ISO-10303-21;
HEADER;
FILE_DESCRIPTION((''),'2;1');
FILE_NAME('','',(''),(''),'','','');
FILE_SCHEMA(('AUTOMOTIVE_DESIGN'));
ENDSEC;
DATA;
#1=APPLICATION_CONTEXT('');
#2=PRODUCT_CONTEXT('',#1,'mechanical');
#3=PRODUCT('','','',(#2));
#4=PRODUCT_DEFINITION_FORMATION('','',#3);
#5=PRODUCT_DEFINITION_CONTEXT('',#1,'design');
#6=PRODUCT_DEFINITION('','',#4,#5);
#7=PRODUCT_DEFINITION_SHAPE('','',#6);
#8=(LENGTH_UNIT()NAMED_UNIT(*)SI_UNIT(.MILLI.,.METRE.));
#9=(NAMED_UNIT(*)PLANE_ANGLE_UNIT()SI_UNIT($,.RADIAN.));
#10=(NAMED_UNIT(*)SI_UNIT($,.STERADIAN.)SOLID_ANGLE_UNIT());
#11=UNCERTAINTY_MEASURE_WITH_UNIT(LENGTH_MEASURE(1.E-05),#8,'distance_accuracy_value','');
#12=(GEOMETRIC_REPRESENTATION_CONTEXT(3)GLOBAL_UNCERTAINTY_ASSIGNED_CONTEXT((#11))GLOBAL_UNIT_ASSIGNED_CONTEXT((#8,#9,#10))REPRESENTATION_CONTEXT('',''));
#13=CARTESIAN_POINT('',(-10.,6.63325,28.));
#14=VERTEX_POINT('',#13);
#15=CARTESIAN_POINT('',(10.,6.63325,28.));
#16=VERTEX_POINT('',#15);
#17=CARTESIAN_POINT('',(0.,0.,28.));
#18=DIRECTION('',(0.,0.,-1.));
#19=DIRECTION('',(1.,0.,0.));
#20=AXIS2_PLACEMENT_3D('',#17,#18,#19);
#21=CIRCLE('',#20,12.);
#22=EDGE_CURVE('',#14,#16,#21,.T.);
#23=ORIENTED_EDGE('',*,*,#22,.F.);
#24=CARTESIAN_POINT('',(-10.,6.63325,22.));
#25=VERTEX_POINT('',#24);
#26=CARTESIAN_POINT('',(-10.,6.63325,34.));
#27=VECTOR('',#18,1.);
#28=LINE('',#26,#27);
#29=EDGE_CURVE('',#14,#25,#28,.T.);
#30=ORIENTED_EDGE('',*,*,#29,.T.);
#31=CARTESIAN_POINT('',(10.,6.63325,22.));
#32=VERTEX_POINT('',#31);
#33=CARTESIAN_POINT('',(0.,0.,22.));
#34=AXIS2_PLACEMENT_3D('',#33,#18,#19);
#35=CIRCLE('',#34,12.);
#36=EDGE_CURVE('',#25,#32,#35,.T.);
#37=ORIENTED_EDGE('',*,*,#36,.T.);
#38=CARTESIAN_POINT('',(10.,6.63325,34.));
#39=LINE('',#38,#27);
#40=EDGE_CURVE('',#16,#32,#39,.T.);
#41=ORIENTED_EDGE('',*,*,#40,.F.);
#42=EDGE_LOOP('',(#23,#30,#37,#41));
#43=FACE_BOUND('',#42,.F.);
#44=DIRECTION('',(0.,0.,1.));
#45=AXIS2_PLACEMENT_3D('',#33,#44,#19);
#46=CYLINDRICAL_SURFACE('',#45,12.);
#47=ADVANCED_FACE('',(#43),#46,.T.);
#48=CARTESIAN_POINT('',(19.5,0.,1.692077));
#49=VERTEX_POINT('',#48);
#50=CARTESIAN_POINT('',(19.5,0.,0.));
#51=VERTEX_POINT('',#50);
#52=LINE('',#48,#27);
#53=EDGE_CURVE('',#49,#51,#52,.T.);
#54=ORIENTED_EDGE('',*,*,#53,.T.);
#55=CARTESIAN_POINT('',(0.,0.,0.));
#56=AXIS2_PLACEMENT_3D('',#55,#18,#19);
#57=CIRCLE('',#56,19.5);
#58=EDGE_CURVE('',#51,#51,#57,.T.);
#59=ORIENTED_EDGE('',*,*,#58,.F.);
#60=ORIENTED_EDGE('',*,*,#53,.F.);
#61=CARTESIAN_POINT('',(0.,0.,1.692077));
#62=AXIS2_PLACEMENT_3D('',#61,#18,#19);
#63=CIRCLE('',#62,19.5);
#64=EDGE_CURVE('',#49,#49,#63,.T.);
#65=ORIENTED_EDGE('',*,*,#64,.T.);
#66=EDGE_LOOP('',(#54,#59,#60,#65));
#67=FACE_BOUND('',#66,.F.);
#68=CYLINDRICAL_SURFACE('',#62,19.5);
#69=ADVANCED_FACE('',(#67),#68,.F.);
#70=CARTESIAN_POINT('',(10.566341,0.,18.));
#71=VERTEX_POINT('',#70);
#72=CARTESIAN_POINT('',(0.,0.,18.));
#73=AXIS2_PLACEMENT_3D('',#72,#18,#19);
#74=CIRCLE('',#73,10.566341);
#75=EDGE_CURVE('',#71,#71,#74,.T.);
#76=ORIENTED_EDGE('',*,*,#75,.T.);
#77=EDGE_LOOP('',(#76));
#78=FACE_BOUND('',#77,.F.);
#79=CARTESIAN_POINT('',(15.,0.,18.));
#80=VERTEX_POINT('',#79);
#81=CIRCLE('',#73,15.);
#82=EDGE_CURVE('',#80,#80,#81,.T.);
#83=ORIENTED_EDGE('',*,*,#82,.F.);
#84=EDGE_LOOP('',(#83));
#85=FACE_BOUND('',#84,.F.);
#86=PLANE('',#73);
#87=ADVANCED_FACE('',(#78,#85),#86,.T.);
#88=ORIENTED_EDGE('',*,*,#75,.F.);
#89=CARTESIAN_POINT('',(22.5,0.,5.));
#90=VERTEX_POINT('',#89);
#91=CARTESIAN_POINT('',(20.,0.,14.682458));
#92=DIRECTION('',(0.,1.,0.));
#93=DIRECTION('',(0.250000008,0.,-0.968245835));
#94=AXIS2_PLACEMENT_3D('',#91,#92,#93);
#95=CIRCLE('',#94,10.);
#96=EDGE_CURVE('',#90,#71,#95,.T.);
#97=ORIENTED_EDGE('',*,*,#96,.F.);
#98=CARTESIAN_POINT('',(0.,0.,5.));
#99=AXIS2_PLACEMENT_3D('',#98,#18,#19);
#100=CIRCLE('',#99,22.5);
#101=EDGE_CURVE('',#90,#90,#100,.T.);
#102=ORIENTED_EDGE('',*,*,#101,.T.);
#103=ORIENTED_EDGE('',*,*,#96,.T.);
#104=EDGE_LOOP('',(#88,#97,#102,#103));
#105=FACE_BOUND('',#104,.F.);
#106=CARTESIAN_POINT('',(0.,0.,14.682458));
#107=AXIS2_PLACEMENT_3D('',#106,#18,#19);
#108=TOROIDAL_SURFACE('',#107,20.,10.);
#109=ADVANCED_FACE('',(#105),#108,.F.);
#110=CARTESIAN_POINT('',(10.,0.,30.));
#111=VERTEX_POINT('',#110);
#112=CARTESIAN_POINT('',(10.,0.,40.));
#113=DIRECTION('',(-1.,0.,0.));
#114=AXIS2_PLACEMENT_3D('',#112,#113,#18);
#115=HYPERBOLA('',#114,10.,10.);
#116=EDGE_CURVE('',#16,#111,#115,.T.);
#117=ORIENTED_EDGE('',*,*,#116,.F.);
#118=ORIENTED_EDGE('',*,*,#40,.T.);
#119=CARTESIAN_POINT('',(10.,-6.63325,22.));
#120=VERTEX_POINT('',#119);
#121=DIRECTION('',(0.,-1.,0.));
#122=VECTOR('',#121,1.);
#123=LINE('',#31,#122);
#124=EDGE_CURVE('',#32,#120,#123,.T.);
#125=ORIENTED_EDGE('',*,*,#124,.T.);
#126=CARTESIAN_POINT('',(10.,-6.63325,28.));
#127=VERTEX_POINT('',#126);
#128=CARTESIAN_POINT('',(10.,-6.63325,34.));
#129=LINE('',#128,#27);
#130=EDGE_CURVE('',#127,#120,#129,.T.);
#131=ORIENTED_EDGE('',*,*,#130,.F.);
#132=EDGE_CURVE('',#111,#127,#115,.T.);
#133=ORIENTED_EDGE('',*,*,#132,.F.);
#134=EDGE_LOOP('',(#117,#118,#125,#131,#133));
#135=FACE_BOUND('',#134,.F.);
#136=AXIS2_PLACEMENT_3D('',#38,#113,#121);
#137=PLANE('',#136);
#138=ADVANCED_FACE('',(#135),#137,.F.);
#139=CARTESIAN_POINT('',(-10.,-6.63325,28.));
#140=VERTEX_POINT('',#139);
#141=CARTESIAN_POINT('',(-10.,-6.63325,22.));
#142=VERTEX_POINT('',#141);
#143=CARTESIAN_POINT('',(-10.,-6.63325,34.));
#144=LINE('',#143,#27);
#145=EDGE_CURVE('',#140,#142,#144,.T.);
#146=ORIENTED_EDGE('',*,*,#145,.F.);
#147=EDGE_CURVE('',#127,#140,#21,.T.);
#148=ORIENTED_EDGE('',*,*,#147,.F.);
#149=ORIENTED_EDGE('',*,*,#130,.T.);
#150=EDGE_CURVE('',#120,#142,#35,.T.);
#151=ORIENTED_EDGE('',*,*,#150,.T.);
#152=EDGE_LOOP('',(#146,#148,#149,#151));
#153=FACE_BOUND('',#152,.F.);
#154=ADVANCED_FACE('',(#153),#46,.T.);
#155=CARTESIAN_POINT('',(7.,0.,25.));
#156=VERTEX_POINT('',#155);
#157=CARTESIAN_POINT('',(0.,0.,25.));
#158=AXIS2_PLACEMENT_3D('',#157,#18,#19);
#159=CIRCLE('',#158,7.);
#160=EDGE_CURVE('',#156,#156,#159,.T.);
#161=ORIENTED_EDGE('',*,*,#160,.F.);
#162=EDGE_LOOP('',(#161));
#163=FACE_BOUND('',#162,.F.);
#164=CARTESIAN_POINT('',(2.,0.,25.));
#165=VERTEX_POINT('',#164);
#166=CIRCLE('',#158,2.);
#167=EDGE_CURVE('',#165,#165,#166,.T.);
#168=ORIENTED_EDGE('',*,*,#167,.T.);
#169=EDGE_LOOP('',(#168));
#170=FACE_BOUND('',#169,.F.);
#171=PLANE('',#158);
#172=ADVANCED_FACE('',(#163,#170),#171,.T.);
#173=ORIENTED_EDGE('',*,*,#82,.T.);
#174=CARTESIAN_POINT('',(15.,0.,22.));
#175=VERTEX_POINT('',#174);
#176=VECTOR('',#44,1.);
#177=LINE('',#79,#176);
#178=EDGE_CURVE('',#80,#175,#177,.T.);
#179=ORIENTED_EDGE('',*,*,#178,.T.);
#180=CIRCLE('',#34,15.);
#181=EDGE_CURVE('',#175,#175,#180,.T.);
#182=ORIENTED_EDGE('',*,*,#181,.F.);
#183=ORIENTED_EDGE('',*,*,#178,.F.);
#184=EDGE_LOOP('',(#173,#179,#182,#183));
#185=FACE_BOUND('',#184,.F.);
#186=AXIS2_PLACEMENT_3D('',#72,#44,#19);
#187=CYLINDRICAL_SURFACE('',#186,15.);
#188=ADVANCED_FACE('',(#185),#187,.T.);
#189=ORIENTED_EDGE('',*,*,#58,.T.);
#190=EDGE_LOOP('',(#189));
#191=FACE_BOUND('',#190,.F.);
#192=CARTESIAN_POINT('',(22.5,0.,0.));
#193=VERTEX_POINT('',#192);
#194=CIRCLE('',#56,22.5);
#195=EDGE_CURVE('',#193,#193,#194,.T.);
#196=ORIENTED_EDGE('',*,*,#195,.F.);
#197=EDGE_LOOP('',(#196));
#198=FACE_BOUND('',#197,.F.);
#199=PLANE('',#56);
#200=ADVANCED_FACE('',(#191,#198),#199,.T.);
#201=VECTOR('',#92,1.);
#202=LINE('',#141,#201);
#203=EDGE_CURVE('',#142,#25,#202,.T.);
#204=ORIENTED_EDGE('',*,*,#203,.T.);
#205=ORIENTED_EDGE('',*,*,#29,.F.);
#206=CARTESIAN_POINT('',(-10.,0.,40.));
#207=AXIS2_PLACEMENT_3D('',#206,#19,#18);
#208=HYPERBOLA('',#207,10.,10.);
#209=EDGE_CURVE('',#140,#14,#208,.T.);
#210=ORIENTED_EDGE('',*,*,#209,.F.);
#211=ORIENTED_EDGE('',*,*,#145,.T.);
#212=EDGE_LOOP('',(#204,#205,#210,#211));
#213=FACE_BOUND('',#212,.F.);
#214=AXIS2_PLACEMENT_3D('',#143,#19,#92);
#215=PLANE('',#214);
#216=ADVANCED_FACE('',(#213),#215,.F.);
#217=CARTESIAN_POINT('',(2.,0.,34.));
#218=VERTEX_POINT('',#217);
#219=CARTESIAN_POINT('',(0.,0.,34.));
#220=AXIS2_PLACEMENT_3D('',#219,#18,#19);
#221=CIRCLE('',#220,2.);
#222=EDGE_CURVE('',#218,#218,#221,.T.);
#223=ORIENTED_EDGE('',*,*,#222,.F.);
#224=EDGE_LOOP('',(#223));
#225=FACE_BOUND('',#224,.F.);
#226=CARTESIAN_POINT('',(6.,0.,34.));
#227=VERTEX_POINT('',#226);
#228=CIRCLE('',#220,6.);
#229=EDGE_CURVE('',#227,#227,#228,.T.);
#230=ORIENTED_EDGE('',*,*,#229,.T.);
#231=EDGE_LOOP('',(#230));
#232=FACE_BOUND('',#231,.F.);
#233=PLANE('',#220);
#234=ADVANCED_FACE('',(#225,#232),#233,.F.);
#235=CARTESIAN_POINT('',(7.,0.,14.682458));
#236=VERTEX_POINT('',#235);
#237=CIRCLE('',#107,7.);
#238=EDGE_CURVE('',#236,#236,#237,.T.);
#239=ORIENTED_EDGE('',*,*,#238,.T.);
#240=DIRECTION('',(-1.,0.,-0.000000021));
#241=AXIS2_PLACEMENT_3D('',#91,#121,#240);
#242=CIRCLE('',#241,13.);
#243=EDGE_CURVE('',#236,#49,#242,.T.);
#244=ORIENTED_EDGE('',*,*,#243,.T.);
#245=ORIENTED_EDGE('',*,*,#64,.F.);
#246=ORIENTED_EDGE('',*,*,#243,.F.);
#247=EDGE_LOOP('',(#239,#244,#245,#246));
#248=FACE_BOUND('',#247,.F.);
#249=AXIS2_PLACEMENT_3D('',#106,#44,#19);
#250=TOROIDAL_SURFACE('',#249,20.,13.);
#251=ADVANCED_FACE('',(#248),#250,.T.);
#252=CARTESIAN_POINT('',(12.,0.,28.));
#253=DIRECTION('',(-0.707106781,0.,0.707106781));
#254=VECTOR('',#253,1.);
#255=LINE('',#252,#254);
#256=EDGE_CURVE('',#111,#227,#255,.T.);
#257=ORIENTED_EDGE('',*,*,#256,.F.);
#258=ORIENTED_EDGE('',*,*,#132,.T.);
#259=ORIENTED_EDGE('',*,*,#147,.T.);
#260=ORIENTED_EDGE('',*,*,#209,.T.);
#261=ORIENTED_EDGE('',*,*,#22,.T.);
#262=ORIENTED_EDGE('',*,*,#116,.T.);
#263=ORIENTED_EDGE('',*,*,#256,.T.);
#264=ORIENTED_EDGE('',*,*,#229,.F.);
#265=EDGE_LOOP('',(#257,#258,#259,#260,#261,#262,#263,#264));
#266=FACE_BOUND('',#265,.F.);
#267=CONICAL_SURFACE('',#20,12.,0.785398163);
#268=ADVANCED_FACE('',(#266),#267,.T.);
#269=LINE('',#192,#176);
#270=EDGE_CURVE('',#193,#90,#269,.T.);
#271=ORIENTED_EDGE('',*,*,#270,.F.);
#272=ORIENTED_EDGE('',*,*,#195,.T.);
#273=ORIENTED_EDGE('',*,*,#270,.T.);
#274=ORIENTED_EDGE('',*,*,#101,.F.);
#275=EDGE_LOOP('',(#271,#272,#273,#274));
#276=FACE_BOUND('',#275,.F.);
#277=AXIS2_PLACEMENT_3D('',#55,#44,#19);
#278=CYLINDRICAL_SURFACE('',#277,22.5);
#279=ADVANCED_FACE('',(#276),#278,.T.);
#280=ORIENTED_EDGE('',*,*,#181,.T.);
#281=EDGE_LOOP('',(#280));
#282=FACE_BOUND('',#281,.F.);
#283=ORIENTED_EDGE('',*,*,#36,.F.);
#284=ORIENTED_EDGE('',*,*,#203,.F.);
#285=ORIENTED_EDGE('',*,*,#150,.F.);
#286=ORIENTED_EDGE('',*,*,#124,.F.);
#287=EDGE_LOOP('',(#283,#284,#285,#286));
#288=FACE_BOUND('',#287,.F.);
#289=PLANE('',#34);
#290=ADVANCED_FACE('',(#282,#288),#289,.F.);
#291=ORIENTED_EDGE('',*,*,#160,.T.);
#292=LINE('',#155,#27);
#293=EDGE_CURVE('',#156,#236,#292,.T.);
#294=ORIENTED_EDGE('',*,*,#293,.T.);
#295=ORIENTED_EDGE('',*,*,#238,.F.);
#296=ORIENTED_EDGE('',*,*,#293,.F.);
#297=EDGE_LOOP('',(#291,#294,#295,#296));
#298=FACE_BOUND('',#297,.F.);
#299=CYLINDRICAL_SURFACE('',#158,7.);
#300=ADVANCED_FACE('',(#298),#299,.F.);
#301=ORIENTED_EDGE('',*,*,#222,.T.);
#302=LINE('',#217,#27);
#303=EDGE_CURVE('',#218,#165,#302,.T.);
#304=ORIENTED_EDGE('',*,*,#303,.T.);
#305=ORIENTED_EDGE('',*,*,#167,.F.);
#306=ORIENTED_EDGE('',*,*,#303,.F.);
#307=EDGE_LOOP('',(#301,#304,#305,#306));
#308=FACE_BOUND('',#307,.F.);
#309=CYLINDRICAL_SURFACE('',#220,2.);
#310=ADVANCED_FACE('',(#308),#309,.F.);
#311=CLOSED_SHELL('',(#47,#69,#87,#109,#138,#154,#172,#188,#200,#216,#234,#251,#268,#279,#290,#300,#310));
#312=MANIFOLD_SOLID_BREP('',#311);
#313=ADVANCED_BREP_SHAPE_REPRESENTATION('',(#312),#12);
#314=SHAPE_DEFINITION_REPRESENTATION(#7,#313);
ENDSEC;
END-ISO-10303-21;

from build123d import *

# Parameters (mm, degrees)
F3_DEPTH = 12


with BuildPart() as f1:
    # F0 (on Front) → F1 (revolve)
    with BuildSketch(Plane.XZ):
        with BuildLine():
            Line((19.5, 1.692077), (19.5, 0))
            Line((19.5, 0), (22.5, 0))
            Line((22.5, 0), (22.5, 5))
            ThreePointArc((22.5, 5), (12.633257, 7.919981), (10.566341, 18))
            Line((10.566341, 18), (15, 18))
            Line((15, 18), (15, 22))
            Line((15, 22), (12, 22))
            Line((12, 22), (12, 28))
            Line((12, 28), (6, 34))
            Line((6, 34), (2, 34))
            Line((2, 34), (2, 25))
            Line((2, 25), (7, 25))
            Line((7, 25), (7, 14.682458))
            ThreePointArc((7, 14.682458), (10.632503, 5.66858), (19.5, 1.692077))
        make_face()
    revolve(axis=Axis((0, 0, 7.527599), (0, 0, -1)))

    # F2 (on face) → F3 (cut, through all)
    with BuildSketch(Plane.XY.offset(34)):
        with BuildLine():
            Line((10, 6.63325), (10, -6.63325))
            ThreePointArc((10, -6.63325), (11.489125, -3.464102), (12, 0))
            ThreePointArc((12, 0), (11.489125, 3.464102), (10, 6.63325))
        make_face()
        with BuildLine():
            ThreePointArc((-10, 6.63325), (-12, 0), (-10, -6.63325))
            Line((-10, -6.63325), (-10, 6.63325))
        make_face()
    extrude(amount=-F3_DEPTH, mode=Mode.SUBTRACT)


solid = f1.part
